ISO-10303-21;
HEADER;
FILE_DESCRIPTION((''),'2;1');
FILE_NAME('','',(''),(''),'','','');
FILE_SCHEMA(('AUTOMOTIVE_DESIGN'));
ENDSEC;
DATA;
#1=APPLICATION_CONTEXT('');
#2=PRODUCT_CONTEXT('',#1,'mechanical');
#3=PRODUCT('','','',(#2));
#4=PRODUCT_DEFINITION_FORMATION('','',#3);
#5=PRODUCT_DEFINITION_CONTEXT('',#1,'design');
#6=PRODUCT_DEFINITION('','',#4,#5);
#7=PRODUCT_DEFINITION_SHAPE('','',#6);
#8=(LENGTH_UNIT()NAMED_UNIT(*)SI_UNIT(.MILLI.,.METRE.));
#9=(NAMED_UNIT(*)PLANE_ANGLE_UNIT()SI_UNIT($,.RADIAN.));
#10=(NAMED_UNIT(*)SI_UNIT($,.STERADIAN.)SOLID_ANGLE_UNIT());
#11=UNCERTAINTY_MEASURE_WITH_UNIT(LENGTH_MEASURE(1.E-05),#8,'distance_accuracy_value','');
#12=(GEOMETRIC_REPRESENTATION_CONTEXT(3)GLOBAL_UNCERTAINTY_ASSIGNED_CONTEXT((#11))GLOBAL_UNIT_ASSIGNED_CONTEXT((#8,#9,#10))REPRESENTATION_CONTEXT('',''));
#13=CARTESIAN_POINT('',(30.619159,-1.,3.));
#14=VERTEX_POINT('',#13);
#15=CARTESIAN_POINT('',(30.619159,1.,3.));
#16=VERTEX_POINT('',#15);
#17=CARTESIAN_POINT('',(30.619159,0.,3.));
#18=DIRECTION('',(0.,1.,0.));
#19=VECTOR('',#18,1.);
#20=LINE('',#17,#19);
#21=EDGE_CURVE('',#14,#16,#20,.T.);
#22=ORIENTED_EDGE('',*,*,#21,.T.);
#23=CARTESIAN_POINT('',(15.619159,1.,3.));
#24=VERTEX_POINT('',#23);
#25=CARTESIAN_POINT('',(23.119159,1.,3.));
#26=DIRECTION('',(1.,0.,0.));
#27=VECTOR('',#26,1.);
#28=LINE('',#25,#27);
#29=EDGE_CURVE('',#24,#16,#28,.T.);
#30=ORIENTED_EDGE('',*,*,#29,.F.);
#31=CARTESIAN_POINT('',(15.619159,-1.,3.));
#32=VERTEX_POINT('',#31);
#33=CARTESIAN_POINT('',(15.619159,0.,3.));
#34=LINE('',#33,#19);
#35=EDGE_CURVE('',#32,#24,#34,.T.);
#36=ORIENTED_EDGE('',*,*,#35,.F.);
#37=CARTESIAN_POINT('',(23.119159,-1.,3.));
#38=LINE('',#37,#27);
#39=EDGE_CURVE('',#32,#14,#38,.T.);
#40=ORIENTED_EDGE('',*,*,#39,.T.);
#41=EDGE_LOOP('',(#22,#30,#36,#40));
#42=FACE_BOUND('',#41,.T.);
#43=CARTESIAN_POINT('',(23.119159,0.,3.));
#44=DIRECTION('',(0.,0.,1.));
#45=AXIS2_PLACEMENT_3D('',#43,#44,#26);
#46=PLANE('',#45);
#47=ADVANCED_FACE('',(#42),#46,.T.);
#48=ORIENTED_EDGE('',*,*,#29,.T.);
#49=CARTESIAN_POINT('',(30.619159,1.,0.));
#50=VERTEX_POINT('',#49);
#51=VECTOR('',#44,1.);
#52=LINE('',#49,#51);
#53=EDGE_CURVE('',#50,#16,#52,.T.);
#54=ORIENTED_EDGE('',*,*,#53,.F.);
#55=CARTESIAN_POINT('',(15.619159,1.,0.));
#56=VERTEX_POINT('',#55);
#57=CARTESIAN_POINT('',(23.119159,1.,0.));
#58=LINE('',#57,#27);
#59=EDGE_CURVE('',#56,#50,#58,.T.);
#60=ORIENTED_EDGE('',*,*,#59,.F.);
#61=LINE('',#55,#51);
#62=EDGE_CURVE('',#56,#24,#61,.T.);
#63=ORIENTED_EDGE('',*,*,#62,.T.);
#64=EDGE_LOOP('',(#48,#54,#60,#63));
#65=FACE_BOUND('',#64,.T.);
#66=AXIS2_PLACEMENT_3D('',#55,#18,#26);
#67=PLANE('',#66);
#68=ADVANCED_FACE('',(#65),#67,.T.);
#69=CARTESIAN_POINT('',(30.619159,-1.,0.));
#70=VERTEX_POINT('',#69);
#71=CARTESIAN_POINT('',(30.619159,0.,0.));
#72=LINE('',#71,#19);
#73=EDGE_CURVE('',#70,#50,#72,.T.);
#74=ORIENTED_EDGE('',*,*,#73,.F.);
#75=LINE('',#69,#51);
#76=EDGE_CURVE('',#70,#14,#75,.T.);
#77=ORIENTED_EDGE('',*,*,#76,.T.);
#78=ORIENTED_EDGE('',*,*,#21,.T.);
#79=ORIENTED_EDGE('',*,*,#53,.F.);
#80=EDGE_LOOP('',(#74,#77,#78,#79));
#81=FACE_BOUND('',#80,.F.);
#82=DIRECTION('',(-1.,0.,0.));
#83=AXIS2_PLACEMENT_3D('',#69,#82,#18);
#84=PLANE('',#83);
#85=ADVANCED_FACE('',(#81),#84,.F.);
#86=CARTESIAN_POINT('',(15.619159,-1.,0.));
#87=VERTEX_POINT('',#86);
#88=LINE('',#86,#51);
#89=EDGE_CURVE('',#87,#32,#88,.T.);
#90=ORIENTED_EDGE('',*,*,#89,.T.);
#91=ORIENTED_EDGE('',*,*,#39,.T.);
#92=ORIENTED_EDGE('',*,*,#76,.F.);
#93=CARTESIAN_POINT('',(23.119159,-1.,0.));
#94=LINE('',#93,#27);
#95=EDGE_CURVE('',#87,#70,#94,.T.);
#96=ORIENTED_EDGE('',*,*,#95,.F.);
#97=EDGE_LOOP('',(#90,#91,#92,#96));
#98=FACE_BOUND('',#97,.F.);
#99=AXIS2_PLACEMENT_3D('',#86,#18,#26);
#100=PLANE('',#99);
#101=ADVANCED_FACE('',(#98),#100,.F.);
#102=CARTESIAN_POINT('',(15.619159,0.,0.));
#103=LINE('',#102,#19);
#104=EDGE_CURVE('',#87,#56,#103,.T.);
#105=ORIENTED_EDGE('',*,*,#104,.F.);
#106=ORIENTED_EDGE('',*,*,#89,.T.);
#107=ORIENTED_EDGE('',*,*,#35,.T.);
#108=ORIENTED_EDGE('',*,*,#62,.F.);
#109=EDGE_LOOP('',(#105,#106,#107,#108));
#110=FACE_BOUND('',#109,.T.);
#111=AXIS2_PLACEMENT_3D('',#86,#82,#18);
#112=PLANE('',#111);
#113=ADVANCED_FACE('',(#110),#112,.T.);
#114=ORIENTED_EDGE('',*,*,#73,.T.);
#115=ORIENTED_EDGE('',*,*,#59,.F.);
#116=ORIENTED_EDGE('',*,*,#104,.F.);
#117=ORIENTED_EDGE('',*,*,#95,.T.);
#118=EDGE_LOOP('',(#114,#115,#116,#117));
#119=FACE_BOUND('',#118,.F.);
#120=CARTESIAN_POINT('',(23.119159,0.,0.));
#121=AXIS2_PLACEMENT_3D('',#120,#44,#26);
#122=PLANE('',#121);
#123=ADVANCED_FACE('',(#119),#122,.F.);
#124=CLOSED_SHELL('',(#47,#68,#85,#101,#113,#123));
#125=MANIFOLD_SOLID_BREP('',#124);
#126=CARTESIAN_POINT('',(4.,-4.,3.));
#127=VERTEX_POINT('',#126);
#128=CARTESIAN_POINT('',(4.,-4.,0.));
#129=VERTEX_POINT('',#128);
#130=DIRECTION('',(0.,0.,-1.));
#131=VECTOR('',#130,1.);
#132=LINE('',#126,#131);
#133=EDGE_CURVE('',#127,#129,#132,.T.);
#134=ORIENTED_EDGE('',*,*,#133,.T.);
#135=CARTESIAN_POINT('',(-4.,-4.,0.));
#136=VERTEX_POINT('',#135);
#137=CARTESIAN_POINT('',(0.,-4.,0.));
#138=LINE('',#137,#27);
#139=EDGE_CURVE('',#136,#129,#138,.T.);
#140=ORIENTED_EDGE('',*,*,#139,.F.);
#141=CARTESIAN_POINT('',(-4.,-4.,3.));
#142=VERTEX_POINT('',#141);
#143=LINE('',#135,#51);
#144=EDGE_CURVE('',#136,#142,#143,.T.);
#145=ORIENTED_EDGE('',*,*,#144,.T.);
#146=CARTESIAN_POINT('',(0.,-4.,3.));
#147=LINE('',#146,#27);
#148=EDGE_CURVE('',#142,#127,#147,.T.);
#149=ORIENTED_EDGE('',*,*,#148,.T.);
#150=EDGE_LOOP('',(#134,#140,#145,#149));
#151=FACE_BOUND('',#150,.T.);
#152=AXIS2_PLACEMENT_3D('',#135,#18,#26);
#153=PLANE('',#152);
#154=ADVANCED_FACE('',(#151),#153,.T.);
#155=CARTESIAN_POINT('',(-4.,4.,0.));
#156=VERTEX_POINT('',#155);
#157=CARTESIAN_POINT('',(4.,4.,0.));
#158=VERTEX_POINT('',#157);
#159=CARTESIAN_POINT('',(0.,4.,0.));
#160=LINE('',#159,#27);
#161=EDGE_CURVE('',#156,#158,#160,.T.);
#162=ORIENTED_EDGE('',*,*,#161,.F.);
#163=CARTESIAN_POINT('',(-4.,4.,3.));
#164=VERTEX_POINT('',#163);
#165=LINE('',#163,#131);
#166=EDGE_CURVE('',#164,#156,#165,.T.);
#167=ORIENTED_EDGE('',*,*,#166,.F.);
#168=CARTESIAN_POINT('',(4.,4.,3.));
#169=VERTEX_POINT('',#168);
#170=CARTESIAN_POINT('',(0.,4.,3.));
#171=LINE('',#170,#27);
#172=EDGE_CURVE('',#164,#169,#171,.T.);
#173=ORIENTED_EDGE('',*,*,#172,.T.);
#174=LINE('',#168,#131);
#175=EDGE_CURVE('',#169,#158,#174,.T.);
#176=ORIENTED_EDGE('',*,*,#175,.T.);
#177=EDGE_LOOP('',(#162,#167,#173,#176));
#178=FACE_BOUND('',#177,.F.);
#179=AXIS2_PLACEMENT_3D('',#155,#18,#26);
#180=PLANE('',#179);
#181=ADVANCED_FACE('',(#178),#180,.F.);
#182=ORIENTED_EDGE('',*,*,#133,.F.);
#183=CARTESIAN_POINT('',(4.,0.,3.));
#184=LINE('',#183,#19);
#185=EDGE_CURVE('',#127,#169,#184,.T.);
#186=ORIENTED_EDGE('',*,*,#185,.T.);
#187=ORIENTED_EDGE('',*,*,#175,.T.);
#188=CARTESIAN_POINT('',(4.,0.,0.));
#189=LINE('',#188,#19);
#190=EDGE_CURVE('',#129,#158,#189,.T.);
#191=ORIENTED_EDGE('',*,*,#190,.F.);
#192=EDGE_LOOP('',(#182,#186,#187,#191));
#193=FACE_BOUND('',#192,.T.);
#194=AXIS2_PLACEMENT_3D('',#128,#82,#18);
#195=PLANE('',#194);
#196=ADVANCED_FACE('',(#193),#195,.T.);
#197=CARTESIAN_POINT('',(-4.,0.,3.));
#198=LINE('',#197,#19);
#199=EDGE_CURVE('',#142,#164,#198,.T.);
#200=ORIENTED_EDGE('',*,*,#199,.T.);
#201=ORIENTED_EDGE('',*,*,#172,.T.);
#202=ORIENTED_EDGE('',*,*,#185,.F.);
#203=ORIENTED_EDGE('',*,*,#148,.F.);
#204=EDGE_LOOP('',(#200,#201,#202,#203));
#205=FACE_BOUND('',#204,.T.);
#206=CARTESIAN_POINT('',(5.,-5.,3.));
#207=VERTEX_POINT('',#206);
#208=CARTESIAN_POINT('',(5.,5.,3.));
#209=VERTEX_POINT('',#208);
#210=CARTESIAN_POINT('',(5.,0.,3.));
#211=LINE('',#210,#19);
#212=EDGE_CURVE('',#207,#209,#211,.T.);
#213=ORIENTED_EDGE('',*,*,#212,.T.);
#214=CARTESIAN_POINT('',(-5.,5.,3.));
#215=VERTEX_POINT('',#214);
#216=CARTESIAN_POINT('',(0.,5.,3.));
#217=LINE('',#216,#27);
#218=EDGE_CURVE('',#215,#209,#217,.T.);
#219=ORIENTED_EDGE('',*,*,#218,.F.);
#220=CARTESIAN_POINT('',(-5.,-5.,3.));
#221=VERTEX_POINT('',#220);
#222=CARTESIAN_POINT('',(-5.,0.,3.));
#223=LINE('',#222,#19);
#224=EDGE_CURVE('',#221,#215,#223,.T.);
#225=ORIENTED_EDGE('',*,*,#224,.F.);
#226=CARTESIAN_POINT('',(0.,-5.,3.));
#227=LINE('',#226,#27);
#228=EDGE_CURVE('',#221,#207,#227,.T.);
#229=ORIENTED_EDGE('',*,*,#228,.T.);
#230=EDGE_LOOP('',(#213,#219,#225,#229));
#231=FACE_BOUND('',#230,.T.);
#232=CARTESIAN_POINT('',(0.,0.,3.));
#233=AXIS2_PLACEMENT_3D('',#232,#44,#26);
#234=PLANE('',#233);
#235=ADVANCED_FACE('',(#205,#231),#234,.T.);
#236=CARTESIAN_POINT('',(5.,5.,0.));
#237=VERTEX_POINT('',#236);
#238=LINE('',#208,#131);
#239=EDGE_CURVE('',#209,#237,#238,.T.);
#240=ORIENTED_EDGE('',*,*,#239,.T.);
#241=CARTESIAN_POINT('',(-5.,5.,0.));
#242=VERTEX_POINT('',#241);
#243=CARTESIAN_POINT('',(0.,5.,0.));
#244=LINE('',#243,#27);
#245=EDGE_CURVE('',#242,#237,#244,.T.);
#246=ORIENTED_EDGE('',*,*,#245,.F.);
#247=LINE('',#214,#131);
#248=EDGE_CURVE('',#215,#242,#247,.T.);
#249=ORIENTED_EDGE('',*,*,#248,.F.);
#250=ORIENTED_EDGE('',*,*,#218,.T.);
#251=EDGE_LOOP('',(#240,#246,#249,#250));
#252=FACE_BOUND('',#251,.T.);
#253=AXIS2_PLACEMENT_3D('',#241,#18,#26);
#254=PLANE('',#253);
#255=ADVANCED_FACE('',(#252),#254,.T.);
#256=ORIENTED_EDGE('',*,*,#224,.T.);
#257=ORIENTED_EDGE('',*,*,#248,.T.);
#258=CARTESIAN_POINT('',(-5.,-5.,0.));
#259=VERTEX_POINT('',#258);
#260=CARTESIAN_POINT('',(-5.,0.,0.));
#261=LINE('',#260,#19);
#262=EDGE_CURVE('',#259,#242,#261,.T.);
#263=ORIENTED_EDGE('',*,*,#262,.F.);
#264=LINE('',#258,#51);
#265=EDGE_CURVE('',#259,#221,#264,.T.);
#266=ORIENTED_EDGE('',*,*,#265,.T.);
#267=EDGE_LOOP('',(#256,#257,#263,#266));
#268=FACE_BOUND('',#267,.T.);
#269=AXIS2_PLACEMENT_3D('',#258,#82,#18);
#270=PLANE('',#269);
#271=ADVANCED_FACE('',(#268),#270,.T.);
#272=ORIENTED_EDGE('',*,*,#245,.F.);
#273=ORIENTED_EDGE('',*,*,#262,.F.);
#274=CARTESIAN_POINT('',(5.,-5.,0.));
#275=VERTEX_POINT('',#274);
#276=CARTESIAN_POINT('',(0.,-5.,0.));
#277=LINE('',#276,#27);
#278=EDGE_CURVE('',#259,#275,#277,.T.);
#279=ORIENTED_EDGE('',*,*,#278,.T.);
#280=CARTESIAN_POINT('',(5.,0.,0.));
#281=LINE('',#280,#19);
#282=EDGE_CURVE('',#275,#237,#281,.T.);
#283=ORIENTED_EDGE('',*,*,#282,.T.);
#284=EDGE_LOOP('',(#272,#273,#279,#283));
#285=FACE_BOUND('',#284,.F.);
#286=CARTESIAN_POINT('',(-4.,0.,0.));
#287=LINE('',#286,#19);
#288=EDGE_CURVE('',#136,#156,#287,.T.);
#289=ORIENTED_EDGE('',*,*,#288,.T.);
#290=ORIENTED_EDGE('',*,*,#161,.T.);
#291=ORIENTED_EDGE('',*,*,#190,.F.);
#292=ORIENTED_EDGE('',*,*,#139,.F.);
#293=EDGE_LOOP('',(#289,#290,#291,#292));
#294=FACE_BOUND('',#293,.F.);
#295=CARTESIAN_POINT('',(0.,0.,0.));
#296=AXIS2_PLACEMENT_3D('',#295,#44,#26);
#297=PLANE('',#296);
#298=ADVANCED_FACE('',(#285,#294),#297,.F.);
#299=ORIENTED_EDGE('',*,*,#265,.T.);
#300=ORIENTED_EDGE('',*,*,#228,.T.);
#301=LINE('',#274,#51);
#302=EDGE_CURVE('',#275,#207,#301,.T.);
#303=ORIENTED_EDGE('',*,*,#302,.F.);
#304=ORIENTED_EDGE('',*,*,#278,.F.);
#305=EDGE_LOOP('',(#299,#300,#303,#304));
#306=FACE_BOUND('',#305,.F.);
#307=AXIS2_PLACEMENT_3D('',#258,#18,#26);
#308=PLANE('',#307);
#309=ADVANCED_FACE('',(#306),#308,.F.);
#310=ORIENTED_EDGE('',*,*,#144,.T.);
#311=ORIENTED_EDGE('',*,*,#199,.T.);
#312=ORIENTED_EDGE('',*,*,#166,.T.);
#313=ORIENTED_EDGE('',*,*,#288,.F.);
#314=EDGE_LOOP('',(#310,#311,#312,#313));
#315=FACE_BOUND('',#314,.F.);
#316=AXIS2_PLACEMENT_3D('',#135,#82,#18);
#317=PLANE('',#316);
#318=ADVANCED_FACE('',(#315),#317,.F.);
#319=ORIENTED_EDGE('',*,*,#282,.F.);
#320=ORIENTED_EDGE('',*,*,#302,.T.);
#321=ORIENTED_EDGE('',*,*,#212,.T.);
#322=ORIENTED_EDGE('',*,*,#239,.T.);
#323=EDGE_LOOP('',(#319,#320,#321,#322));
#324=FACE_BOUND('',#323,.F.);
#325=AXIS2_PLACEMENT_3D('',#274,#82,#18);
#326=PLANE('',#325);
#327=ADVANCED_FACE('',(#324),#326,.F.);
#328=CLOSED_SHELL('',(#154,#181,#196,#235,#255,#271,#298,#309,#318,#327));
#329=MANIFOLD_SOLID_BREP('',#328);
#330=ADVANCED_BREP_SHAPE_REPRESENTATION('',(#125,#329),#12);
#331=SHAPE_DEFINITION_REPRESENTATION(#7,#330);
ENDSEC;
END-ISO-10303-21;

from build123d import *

# Parameters (mm, degrees)
F0_W     = 10
F0_H     = 10
F0_W_2   = 8
F0_H_2   = 8
F1_DEPTH = 2
F0_W_3   = 15
F0_H_3   = 2
F2_DEPTH = 3


with BuildPart() as f1:
    # F0 (on Top) → F1 (new body)
    with BuildSketch(Plane.XY):
        Rectangle(F0_W, F0_H)
        Rectangle(F0_W_2, F0_H_2, mode=Mode.SUBTRACT)
    extrude(amount=F1_DEPTH)

    # F0 (on Top) → F2 (join)
    with BuildSketch(Plane.XY):
        Rectangle(F0_W, F0_H)
        Rectangle(F0_W_2, F0_H_2, mode=Mode.SUBTRACT)
        with Locations((23.119159, 0)):
            Rectangle(F0_W_3, F0_H_3)
    extrude(amount=F2_DEPTH)


solid = f1.part
